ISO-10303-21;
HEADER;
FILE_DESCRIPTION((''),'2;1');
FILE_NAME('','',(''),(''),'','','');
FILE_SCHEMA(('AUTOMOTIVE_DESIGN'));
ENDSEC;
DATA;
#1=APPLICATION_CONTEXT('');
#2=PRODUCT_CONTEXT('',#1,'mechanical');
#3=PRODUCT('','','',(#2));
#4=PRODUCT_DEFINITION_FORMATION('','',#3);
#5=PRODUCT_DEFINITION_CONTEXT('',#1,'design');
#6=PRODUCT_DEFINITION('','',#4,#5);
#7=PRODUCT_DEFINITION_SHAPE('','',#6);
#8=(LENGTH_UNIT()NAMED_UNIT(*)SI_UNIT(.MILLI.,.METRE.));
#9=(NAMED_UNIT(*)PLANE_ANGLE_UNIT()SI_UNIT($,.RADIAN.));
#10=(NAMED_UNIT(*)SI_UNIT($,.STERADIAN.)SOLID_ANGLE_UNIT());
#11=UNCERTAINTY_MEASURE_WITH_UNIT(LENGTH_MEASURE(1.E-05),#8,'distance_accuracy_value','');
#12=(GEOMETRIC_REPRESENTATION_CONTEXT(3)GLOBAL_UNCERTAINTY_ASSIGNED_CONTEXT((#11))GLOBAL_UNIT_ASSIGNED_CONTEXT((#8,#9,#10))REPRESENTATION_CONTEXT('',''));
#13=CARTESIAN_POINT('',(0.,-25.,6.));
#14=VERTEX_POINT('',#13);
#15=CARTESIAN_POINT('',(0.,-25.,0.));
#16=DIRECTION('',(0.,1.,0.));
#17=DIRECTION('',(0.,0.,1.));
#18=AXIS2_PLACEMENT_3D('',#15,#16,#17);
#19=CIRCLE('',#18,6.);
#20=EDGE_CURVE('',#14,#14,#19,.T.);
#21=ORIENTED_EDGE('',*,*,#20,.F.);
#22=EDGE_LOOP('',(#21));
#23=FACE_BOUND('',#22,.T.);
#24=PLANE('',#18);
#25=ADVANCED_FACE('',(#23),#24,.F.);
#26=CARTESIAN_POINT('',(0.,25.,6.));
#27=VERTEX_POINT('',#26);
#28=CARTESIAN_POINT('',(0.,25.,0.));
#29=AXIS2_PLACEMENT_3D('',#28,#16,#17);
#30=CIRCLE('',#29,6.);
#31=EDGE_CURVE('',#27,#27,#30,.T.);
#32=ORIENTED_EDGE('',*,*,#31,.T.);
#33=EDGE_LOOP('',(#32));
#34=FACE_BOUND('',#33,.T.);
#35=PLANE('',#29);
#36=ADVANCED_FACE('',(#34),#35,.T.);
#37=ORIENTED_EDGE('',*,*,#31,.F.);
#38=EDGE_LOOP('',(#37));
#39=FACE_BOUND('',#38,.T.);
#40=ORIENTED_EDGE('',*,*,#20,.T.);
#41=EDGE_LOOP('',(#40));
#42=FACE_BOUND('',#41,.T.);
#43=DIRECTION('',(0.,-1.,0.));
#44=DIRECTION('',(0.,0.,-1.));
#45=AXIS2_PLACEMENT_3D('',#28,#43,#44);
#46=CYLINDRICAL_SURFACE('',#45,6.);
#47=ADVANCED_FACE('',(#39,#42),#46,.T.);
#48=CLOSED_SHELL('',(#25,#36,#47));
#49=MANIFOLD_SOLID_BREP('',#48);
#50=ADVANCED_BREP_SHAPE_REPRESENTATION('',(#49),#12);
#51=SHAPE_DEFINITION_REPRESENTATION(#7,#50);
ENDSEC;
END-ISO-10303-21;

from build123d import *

# Parameters (mm, degrees)
SKETCH1_R           = 6
BOSS_EXTRUDE1_DEPTH = 25


with BuildPart() as part:
    # Sketch1 → Boss-Extrude1 (new body, symmetric)
    with BuildSketch(Plane(origin=(0, 0, 0), x_dir=(1, 0, 0), z_dir=(0, 1, 0))):
        Circle(SKETCH1_R)
    extrude(amount=BOSS_EXTRUDE1_DEPTH, both=True)


solid = part.part
